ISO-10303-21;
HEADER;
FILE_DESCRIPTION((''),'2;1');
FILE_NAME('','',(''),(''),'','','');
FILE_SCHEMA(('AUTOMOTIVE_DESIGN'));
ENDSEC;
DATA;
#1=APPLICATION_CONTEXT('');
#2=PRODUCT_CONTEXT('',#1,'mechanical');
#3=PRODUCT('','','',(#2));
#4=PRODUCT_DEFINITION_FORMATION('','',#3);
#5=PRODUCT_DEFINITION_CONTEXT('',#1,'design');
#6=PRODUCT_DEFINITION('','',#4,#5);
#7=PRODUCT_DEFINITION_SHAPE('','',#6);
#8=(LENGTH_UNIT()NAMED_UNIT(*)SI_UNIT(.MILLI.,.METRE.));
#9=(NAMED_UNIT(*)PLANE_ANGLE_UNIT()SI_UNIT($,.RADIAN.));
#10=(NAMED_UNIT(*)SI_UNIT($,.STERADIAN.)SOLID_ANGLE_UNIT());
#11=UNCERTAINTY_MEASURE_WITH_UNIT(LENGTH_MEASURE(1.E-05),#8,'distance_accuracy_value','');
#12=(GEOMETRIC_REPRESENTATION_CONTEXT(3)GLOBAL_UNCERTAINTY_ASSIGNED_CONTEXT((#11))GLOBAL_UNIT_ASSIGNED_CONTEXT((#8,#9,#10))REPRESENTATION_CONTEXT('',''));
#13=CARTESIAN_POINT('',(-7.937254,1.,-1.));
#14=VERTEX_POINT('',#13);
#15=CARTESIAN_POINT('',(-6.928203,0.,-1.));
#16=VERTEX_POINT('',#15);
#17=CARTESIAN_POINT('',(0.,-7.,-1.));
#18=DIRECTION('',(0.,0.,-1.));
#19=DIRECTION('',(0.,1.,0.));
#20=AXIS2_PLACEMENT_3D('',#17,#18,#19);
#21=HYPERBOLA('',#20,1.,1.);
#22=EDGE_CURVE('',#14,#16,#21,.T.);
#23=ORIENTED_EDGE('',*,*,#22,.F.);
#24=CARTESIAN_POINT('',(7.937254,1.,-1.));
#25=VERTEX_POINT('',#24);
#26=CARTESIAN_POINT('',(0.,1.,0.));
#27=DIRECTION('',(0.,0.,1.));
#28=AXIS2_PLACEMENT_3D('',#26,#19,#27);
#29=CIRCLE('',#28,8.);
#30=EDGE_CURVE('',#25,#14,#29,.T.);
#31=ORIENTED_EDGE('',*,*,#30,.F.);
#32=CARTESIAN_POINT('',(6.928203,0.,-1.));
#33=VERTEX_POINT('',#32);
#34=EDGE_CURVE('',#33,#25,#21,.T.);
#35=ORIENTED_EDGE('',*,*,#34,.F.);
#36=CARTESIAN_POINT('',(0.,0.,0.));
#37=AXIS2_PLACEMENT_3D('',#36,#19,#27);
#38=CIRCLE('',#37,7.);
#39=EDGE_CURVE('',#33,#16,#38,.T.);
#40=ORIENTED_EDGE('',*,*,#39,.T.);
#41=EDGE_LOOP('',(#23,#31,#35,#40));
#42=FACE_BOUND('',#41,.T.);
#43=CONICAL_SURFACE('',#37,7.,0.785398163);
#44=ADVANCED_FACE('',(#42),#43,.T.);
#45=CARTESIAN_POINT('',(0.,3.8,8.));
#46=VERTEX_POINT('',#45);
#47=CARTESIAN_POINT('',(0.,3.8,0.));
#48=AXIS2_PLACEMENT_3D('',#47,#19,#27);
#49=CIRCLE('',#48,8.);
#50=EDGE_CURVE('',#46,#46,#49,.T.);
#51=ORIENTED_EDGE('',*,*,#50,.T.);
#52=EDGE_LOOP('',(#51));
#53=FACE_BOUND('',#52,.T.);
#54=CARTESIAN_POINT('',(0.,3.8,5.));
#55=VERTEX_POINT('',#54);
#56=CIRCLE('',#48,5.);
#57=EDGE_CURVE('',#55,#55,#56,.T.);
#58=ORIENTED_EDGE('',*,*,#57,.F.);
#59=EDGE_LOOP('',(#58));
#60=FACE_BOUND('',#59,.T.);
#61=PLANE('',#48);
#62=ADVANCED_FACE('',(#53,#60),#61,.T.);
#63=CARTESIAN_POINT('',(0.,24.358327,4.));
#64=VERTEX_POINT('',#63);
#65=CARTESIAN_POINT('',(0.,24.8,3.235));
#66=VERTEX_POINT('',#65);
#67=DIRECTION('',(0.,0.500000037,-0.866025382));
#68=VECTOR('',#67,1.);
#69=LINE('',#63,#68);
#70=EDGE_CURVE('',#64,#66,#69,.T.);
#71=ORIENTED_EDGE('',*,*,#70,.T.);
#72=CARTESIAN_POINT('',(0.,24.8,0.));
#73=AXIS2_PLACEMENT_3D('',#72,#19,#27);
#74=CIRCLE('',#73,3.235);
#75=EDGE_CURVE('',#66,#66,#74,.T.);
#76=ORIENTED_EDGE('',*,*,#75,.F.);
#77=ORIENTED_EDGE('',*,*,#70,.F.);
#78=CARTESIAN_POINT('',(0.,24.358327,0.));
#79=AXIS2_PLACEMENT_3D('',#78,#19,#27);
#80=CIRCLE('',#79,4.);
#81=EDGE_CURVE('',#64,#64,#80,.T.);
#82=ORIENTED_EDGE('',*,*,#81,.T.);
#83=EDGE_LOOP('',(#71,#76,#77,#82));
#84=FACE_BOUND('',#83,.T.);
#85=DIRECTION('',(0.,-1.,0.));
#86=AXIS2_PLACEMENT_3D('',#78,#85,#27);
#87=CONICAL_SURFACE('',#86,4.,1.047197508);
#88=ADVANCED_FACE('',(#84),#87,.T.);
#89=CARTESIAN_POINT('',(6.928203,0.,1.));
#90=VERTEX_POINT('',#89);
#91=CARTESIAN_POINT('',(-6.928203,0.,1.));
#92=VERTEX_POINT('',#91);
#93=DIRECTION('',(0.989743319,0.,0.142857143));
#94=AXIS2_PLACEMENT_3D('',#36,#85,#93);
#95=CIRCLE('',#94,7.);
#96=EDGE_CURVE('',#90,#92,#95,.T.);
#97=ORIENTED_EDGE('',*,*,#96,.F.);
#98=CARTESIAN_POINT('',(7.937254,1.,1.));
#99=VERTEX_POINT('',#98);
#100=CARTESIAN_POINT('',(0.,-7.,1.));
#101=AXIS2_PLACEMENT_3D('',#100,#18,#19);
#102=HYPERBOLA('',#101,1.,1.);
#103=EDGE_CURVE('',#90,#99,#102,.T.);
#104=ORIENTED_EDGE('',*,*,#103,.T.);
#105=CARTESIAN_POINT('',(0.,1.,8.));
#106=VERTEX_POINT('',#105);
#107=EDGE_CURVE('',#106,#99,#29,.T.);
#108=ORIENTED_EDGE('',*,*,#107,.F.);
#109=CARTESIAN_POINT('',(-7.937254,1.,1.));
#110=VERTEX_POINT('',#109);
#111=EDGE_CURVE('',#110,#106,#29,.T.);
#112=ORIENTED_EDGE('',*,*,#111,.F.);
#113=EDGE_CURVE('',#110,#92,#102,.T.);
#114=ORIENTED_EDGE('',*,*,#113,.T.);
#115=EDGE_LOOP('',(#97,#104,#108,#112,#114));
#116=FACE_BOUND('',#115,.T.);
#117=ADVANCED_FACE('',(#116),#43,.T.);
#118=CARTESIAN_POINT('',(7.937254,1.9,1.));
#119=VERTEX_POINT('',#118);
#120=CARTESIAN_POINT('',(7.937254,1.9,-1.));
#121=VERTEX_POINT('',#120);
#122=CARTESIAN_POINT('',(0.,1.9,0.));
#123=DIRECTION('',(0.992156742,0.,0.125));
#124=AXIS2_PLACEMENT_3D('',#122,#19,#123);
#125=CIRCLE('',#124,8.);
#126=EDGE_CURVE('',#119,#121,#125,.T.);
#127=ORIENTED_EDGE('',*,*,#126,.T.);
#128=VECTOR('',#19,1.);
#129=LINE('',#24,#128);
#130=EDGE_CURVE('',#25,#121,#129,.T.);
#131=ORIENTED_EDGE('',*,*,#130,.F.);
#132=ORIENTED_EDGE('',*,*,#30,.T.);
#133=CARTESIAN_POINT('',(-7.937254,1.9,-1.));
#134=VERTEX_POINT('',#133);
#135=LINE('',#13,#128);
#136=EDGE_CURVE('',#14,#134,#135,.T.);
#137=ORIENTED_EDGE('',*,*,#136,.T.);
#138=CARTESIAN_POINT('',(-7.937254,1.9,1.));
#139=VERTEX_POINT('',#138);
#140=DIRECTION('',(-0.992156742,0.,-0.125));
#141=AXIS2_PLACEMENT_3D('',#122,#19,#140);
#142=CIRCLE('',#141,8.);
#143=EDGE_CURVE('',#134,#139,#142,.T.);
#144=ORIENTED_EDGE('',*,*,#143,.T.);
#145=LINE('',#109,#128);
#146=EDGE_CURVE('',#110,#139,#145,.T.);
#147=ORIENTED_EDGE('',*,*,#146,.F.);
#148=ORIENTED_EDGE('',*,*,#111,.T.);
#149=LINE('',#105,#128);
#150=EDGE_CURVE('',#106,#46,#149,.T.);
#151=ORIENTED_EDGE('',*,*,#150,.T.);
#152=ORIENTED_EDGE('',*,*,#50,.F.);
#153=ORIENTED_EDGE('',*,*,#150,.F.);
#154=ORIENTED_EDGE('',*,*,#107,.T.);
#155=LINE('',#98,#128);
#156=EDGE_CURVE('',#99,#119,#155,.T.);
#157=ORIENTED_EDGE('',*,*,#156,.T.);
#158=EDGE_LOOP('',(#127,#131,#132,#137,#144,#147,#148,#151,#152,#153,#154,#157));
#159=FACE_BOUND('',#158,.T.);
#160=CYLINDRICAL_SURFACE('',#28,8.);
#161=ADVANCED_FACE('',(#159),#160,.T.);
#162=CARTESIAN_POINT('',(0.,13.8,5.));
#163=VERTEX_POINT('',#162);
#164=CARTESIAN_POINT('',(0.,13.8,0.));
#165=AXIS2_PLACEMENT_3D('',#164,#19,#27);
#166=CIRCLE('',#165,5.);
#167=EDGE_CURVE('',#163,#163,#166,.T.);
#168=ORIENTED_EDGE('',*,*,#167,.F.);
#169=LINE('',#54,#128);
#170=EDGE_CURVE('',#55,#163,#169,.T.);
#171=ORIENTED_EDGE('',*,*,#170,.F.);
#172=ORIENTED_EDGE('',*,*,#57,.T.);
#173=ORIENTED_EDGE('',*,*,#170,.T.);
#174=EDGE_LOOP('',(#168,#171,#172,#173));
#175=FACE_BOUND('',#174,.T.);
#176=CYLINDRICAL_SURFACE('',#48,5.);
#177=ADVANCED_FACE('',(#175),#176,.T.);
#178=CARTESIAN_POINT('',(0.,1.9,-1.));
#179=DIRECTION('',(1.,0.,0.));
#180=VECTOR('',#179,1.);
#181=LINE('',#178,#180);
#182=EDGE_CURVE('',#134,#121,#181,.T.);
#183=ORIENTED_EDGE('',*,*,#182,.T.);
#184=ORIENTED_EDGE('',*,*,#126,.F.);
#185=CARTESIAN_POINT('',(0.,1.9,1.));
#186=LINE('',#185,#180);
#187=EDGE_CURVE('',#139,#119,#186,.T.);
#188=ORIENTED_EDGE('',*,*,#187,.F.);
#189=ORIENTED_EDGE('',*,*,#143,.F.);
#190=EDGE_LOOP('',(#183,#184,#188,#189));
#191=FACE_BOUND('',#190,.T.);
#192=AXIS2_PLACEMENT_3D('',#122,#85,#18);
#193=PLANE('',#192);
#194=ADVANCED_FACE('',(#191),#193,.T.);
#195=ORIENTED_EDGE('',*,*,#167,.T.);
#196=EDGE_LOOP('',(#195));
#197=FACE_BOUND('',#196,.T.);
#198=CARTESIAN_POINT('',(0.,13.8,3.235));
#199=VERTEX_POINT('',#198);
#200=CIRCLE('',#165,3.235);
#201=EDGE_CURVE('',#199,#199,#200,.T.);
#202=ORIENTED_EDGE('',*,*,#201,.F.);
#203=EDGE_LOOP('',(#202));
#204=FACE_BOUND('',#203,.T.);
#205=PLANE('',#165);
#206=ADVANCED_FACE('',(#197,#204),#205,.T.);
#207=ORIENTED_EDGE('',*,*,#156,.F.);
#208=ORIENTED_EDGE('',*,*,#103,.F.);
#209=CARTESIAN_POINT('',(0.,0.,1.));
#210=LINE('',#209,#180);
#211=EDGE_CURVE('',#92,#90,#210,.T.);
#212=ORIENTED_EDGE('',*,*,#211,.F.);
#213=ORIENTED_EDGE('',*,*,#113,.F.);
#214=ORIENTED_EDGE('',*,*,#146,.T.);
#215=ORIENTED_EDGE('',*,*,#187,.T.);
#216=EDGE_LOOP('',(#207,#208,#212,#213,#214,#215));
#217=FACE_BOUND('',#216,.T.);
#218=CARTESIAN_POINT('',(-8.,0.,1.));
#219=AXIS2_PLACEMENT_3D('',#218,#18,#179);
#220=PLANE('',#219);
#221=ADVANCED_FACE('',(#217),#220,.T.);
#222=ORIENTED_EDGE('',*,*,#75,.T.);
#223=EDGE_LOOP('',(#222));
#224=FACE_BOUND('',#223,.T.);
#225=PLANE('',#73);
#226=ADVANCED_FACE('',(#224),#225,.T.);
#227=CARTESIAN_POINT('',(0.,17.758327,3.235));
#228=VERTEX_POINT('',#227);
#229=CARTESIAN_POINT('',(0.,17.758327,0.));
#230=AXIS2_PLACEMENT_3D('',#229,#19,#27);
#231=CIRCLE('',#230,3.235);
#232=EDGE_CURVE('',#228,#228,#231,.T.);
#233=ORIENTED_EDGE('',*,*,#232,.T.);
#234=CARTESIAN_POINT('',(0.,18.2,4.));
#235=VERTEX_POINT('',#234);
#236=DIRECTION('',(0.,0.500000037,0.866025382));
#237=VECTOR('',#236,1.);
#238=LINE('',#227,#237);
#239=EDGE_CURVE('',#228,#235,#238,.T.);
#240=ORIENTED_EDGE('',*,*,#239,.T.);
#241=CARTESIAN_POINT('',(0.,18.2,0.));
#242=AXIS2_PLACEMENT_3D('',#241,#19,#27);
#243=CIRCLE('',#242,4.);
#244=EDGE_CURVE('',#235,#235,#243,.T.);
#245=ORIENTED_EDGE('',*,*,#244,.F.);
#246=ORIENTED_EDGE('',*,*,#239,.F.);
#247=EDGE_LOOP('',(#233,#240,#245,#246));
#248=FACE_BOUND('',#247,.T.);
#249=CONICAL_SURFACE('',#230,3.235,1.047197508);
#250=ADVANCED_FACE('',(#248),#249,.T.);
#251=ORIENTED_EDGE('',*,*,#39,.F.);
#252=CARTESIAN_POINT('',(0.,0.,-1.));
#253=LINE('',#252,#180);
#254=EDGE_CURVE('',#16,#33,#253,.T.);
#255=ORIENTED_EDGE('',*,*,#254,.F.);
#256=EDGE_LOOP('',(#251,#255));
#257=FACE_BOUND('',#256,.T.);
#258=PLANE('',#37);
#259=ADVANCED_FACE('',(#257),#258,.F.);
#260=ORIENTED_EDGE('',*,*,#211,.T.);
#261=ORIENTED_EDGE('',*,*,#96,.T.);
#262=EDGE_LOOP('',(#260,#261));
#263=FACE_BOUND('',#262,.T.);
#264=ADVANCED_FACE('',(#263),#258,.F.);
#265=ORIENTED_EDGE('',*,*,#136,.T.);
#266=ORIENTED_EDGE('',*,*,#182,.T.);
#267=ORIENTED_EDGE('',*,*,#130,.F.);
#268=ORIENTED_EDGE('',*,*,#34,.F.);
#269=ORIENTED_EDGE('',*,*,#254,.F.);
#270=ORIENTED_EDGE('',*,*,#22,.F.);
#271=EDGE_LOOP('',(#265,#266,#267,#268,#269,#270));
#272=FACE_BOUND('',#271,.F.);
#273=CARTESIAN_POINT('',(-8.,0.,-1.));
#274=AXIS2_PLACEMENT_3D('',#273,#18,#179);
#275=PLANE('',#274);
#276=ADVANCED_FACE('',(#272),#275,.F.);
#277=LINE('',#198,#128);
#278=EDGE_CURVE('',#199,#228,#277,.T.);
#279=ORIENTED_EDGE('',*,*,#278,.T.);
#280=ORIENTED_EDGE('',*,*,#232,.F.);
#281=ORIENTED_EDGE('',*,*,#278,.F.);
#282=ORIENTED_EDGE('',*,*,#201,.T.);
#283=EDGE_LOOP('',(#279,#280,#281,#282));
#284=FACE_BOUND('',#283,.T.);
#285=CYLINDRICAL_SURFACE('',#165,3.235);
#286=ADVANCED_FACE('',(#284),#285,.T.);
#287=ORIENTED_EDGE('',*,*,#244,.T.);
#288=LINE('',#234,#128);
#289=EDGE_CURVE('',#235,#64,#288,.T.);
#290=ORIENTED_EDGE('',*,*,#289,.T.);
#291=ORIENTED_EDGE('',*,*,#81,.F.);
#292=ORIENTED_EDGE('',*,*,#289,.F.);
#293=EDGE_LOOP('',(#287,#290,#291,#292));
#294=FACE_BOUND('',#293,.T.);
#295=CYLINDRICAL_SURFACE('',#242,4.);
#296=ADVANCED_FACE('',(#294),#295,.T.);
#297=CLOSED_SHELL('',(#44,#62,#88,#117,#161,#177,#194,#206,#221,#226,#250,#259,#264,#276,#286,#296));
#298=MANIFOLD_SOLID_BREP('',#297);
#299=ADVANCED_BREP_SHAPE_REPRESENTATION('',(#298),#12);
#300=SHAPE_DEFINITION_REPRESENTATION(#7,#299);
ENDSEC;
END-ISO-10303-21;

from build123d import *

# Parameters (mm, degrees)
SKETCH001_W  = 2
SKETCH001_H  = 16
POCKET_DEPTH = 1.9


with BuildPart() as part:
    # Sketch → Revolution (revolve)
    with BuildSketch(Plane.YZ):
        Polygon((0, 0), (0, 7), (1, 8), (3.8, 8), (3.8, 5), (13.8, 5), (13.8, 3.235), (17.758327, 3.235), (18.2, 4), (24.358327, 4), (24.8, 3.235), (24.8, 0), align=None)
    revolve(axis=Axis((0, 0, 0), (0, 1, 0)))

    # Sketch001 → Pocket (cut)
    with BuildSketch(Plane(origin=(0, 0, 0), x_dir=(0, 0, -1), z_dir=(0, -1, 0))):
        Rectangle(SKETCH001_W, SKETCH001_H)
    extrude(amount=-POCKET_DEPTH, mode=Mode.SUBTRACT)


solid = part.part
